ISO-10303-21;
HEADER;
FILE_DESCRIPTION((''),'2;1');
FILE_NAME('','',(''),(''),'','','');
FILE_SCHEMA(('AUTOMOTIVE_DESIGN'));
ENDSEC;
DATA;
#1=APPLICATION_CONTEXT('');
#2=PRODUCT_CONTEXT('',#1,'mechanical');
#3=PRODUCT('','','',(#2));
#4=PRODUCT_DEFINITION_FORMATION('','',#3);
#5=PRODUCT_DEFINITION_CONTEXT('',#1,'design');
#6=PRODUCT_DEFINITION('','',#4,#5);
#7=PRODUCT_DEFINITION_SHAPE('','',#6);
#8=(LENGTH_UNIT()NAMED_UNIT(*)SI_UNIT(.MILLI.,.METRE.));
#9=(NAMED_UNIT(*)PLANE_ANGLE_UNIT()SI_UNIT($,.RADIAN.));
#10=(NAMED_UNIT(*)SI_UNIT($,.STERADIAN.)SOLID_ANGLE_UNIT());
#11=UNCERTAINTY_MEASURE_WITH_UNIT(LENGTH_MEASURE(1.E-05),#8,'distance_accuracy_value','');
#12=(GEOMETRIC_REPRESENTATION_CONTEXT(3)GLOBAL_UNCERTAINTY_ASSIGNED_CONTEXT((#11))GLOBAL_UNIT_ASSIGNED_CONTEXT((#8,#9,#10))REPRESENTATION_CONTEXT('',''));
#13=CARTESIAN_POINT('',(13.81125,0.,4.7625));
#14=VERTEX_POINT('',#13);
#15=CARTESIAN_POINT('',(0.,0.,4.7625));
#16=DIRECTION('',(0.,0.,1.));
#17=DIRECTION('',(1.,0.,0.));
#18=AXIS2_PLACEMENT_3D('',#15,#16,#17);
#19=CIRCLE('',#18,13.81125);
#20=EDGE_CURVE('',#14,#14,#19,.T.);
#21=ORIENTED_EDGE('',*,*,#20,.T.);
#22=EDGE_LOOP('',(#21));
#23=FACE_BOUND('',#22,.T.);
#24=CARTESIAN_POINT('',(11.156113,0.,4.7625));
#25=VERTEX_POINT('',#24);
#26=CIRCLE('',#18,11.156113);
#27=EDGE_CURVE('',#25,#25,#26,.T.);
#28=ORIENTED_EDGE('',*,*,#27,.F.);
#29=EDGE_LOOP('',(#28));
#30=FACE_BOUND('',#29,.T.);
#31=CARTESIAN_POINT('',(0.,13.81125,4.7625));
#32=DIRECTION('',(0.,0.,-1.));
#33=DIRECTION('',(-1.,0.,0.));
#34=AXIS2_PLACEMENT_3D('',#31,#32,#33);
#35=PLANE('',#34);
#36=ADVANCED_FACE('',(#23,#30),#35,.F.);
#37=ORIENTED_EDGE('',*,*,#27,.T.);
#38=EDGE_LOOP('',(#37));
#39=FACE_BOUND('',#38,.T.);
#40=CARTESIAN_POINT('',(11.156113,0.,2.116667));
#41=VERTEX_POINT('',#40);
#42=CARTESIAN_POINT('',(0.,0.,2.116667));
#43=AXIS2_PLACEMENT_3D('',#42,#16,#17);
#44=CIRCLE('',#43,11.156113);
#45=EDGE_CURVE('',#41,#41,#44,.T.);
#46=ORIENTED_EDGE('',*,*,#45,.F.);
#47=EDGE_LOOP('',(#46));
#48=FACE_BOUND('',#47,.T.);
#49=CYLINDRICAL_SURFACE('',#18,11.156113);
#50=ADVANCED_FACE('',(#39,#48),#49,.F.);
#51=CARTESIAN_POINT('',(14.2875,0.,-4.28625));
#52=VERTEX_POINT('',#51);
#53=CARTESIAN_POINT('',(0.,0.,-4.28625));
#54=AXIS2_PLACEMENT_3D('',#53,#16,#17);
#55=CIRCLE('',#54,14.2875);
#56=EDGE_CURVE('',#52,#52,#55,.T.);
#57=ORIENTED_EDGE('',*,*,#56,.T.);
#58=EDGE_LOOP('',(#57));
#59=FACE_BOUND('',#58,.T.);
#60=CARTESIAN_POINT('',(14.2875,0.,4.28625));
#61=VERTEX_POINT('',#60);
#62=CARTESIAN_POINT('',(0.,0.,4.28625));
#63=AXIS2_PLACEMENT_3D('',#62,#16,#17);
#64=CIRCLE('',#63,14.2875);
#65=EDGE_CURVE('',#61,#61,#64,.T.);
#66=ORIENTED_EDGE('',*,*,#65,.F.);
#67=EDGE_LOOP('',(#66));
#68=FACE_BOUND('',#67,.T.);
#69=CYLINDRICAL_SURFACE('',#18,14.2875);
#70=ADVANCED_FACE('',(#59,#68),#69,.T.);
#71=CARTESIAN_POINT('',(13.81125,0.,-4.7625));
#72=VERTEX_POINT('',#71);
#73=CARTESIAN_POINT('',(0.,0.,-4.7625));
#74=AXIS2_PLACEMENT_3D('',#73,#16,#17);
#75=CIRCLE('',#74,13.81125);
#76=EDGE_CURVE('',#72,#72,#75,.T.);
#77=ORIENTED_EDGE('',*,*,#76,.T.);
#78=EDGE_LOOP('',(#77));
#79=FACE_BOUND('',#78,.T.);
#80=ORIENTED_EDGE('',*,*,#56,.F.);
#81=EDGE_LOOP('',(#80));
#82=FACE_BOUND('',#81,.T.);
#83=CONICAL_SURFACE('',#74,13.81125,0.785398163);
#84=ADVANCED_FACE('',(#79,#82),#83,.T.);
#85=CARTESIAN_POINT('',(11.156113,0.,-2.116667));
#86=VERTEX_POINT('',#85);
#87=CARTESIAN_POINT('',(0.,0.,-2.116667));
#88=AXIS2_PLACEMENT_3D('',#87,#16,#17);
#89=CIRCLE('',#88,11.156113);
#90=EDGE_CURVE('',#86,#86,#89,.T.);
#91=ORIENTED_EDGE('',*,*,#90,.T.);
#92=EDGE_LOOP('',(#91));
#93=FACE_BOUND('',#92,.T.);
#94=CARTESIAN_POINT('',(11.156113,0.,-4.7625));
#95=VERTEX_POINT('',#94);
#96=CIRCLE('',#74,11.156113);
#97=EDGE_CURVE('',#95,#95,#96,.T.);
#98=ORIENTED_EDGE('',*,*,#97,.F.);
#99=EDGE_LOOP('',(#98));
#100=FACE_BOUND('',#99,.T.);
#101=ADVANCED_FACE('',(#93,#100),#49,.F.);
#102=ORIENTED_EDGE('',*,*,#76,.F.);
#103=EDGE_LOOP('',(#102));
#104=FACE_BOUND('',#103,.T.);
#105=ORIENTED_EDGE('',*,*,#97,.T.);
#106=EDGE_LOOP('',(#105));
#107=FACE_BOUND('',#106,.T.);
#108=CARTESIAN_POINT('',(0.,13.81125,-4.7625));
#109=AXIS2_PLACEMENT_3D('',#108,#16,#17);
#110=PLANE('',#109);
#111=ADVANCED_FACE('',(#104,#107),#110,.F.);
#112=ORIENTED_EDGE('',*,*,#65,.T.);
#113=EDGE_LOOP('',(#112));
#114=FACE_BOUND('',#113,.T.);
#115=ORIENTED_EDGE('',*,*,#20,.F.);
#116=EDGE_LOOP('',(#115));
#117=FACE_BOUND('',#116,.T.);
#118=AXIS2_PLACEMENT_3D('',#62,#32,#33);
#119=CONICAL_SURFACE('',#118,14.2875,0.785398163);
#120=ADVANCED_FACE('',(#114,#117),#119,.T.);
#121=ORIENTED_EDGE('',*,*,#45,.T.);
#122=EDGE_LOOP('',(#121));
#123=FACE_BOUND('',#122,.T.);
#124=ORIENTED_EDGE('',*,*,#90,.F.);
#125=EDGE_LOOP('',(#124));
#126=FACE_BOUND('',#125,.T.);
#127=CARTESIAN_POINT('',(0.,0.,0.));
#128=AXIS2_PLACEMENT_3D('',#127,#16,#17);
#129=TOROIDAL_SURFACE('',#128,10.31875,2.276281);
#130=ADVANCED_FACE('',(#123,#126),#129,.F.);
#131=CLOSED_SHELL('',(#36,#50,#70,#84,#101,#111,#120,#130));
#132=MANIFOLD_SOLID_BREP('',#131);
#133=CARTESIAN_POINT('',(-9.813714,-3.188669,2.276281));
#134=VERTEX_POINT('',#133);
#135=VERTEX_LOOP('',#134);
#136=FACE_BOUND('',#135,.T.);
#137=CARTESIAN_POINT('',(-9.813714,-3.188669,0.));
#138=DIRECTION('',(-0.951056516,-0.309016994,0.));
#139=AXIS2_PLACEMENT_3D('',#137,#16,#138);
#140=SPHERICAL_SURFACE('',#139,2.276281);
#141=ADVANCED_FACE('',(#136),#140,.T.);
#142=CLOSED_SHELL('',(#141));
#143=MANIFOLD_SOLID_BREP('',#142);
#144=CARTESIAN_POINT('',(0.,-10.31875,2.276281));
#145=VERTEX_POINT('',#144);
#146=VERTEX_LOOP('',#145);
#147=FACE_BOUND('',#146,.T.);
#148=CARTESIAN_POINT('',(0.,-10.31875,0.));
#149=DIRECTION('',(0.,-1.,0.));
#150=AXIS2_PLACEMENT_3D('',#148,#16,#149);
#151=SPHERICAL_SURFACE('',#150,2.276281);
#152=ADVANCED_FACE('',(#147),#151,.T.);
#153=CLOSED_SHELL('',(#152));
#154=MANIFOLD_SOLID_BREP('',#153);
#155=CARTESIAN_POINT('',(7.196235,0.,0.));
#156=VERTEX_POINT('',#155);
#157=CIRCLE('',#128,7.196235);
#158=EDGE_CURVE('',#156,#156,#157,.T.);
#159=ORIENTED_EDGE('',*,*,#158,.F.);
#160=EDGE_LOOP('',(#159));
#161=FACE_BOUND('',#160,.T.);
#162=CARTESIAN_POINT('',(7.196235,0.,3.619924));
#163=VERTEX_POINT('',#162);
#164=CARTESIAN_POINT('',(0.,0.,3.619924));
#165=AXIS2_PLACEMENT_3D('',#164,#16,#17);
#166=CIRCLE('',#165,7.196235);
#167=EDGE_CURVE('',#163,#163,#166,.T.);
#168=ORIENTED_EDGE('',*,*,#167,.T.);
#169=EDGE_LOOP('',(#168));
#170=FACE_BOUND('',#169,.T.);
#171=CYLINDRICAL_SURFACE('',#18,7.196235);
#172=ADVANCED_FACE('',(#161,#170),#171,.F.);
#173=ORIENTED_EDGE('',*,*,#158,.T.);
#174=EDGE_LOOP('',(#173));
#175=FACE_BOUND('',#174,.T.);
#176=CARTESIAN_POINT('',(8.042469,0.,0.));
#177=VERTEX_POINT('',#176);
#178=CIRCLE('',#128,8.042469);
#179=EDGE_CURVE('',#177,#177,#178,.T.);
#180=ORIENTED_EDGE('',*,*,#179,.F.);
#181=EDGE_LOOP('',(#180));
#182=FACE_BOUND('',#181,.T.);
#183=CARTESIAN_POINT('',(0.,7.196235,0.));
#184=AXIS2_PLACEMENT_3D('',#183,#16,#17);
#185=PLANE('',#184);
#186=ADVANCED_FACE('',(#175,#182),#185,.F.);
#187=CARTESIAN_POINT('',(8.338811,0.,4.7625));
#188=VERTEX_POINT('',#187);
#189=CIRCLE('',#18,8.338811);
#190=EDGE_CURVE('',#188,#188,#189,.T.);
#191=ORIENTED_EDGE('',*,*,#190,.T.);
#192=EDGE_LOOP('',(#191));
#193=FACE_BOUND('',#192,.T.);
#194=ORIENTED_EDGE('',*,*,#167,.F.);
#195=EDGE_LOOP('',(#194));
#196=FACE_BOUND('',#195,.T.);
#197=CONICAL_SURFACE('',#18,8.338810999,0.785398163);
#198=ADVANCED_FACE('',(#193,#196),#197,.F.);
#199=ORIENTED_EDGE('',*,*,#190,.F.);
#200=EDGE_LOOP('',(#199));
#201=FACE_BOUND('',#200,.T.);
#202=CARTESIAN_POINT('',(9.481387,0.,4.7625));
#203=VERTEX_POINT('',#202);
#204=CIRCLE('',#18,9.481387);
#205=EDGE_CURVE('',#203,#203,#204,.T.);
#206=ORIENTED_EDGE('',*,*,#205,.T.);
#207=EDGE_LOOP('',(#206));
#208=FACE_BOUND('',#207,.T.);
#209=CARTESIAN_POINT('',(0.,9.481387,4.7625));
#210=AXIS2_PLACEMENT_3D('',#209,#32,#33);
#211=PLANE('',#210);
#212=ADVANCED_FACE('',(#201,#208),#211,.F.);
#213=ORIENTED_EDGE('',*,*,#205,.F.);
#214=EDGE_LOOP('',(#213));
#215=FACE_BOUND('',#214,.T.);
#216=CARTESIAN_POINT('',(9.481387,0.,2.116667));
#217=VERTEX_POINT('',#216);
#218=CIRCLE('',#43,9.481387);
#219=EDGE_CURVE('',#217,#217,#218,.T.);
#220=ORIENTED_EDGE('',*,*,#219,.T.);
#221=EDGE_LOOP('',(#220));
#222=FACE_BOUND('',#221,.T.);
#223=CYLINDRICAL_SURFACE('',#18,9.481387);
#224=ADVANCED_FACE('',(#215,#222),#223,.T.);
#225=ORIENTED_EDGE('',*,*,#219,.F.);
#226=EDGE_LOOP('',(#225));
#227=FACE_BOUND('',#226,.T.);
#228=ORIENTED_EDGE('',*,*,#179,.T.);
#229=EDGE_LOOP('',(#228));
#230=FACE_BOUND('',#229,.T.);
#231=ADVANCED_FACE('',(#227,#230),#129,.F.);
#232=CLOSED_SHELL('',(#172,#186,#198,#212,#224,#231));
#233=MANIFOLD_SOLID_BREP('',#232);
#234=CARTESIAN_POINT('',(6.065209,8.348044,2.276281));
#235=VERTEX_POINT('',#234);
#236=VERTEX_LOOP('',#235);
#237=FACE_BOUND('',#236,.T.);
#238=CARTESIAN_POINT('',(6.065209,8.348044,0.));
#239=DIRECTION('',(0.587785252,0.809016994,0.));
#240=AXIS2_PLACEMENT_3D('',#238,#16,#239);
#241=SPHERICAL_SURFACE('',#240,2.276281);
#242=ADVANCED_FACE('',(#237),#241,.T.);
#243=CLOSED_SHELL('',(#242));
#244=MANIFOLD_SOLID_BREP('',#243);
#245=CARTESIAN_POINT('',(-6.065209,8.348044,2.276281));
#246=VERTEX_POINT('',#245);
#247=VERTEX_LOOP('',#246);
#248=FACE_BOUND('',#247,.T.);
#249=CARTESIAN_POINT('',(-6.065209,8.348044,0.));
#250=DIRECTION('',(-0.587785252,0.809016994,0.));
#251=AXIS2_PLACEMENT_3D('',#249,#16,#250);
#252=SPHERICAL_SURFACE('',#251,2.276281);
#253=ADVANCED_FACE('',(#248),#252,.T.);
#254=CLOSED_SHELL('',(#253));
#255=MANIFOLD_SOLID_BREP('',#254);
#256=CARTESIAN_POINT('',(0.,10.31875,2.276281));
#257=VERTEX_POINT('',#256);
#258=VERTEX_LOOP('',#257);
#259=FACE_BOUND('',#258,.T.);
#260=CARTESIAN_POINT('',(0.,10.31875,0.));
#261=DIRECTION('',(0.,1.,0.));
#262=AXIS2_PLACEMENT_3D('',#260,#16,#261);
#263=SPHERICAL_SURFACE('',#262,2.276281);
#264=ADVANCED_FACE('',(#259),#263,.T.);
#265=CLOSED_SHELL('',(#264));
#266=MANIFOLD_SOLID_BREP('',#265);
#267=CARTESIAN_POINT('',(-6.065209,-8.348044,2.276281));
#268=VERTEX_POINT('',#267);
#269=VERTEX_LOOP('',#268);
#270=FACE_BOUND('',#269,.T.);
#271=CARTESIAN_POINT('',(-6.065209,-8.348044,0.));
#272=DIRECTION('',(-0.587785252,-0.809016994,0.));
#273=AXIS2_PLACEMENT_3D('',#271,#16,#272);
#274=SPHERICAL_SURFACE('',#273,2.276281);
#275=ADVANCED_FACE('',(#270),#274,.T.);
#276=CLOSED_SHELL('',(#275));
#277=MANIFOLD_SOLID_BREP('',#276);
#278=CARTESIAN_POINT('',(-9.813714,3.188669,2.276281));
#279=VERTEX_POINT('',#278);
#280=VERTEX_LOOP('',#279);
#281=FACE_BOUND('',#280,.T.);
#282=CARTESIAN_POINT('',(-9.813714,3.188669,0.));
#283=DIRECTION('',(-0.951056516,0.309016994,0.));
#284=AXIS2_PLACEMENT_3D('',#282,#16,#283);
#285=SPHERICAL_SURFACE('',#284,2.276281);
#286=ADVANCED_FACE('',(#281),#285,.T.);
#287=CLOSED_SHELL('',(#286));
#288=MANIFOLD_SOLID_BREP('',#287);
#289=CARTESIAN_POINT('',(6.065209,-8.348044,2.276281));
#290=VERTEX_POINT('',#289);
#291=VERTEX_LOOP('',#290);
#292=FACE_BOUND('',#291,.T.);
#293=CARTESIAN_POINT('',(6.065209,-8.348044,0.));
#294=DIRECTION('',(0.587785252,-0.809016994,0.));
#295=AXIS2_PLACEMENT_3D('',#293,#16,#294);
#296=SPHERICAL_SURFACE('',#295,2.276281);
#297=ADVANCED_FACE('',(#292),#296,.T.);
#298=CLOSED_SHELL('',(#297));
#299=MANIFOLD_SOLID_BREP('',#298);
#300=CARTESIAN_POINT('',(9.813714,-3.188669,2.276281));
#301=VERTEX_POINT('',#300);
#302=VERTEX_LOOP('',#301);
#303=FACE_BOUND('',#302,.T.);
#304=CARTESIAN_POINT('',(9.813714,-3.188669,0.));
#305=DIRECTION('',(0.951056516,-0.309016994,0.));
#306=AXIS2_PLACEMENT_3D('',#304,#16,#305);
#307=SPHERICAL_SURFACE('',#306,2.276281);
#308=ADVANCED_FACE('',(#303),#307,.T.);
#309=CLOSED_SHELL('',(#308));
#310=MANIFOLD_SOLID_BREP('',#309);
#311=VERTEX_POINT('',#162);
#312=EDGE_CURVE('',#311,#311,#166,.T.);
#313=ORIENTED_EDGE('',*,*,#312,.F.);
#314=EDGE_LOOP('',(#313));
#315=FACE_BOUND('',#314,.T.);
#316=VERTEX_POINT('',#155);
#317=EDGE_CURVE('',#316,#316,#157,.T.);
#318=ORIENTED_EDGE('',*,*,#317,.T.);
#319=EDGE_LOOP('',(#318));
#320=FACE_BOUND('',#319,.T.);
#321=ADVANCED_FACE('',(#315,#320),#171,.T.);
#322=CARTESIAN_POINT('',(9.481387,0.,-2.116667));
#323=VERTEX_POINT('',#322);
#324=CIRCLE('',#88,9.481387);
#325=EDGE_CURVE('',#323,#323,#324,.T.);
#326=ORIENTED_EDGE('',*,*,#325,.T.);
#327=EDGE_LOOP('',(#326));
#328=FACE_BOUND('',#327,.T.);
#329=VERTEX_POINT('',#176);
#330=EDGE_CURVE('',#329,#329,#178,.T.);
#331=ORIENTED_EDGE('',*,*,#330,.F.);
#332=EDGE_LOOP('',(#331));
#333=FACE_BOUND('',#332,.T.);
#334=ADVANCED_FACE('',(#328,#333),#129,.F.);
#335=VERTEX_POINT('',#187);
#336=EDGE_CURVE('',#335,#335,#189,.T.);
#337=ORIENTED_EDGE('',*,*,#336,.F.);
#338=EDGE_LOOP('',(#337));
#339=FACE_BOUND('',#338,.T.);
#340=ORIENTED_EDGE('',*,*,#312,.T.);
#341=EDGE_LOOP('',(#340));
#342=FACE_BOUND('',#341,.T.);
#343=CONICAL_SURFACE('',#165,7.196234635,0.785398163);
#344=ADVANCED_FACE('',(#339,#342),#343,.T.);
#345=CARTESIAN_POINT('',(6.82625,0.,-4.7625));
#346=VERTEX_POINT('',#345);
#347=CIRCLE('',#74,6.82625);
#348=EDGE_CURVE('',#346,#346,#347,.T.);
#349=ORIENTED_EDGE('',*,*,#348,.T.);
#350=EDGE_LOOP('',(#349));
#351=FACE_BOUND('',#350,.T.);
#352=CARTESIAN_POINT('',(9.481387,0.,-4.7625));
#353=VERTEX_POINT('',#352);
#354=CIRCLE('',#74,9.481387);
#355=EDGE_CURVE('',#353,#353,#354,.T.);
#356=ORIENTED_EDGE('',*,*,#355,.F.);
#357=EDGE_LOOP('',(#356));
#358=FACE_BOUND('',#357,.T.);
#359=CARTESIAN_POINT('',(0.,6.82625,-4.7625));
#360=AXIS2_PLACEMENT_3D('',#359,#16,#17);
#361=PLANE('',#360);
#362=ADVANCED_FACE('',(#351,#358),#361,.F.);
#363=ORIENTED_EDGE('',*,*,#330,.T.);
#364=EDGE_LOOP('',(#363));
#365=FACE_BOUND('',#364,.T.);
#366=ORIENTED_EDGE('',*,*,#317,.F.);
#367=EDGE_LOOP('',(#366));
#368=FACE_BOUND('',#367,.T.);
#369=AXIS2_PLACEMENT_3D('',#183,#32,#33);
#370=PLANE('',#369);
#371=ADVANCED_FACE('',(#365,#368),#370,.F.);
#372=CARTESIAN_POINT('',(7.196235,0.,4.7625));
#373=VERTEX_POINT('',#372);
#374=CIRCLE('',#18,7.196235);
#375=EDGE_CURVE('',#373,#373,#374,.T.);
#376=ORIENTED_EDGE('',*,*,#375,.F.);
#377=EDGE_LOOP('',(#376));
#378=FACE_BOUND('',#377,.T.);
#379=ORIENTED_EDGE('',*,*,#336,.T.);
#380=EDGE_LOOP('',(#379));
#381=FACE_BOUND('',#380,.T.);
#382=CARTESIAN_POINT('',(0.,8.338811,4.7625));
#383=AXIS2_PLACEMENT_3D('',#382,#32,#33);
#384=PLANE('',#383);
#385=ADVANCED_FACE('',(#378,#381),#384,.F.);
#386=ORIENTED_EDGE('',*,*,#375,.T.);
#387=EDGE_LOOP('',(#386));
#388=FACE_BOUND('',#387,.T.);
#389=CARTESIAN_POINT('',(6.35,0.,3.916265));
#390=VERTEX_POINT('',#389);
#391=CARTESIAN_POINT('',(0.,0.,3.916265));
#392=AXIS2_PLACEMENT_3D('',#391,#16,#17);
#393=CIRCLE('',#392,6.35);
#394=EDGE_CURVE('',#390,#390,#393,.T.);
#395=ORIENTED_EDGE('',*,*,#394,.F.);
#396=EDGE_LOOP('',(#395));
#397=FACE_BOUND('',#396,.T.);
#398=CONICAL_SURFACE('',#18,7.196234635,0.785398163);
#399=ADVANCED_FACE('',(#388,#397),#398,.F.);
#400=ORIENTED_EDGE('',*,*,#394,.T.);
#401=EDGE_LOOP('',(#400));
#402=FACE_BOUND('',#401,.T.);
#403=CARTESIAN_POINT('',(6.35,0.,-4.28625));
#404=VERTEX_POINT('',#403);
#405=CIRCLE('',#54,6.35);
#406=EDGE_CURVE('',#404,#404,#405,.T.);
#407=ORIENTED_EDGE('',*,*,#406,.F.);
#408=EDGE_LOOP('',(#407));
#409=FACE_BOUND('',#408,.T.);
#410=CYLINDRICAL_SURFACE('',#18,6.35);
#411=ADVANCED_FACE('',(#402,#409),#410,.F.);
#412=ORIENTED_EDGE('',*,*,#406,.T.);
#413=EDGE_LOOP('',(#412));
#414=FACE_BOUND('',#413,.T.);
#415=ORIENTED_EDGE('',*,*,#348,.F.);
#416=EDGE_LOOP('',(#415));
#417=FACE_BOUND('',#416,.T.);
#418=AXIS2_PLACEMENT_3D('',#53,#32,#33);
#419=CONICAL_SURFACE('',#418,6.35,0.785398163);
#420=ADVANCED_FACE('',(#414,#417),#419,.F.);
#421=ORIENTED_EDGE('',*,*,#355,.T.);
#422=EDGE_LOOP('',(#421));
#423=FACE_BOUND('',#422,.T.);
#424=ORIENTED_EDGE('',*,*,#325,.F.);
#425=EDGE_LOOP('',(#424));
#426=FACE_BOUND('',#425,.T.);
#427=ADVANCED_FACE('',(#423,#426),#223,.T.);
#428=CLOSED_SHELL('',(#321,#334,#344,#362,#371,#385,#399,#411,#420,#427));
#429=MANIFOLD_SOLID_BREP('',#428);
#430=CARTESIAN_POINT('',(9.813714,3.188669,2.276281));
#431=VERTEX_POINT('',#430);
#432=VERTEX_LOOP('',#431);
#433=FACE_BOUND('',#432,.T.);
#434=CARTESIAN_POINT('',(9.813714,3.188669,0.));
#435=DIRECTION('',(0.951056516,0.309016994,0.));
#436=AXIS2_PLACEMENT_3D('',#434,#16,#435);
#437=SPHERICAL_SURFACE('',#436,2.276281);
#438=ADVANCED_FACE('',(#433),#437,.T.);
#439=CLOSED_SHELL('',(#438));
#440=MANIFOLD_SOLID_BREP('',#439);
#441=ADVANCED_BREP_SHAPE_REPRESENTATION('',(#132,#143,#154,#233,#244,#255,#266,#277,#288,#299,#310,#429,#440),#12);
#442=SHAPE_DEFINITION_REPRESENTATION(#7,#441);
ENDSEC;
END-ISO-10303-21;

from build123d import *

# Parameters (mm, degrees)
CIRPATTERN1_COUNT = 10


with BuildPart() as part:
    # Sketch1 → Revolve1 (revolve)
    with BuildSketch(Plane(origin=(0, 0, 0), x_dir=(0, 0, -1), z_dir=(1, 0, 0))):
        with BuildLine():
            Line((4.28625, 14.2875), (-4.28625, 14.2875))
            Line((-4.28625, 14.2875), (-4.7625, 13.81125))
            Line((-4.7625, 13.81125), (-4.7625, 11.156112637))
            Line((-4.7625, 11.156112637), (-2.116666667, 11.156112637))
            ThreePointArc((-2.116666667, 11.156112637), (0, 12.595030731), (2.116666667, 11.156112637))
            Line((2.116666667, 11.156112637), (4.7625, 11.156112637))
            Line((4.7625, 11.156112637), (4.7625, 13.81125))
            Line((4.7625, 13.81125), (4.28625, 14.2875))
        make_face()
    revolve(axis=Axis((0, 0, 4.7625), (0, 0, -1)))


with BuildPart() as body_2:
    # Sketch2 → Revolve2 (revolve)
    with BuildSketch(Plane(origin=(0, 0, 0), x_dir=(0, 0, -1), z_dir=(1, 0, 0))):
        with BuildLine():
            Line((-4.7625, 9.481387363), (-2.116666667, 9.481387363))
            ThreePointArc((-2.116666667, 9.481387363), (-1.279722925, 8.436261434), (0, 8.042469269))
            Line((0, 8.042469269), (0, 7.196234635))
            Line((0, 7.196234635), (-3.619923636, 7.196234635))
            Line((-3.619923636, 7.196234635), (-4.7625, 8.338810999))
            Line((-4.7625, 8.338810999), (-4.7625, 9.481387363))
        make_face()
    revolve(axis=Axis((0, 0, 4.7625), (0, 0, -1)))


with BuildPart() as body_3:
    # Sketch3 → Revolve3 (revolve)
    with BuildSketch(Plane(origin=(0, 0, 0), x_dir=(0, 0, -1), z_dir=(1, 0, 0))):
        with BuildLine():
            Line((-4.7625, 8.338810999), (-3.619923636, 7.196234635))
            Line((-3.619923636, 7.196234635), (0, 7.196234635))
            Line((0, 7.196234635), (0, 8.042469269))
            ThreePointArc((0, 8.042469269), (1.279722925, 8.436261434), (2.116666667, 9.481387363))
            Line((2.116666667, 9.481387363), (4.7625, 9.481387363))
            Line((4.7625, 9.481387363), (4.7625, 6.82625))
            Line((4.7625, 6.82625), (4.28625, 6.35))
            Line((4.28625, 6.35), (-3.916265365, 6.35))
            Line((-3.916265365, 6.35), (-4.7625, 7.196234635))
            Line((-4.7625, 7.196234635), (-4.7625, 8.338810999))
        make_face()
    revolve(axis=Axis((0, 0, 4.7625), (0, 0, -1)))


with BuildPart() as body_4:
    # Sketch4 → Revolve4 (revolve)
    with BuildSketch(Plane(origin=(0, 0, 0), x_dir=(0, 0, -1), z_dir=(1, 0, 0))):
        with BuildLine():
            Line((-2.276280731, 10.31875), (2.276280731, 10.31875))
            ThreePointArc((2.276280731, 10.31875), (0, 12.595030731), (-2.276280731, 10.31875))
        make_face()
    revolve(axis=Axis((0, 10.31875, 2.276280731), (0, 0, -1)))


with BuildPart() as cirpattern1_1:
    # CirPattern1: pattern copy
    add(body_4.part.rotate(Axis((0, 0, -4.7625), (0, 0, 1)), 1 * 360 / CIRPATTERN1_COUNT))


with BuildPart() as cirpattern1_2:
    # CirPattern1: pattern copy
    add(body_4.part.rotate(Axis((0, 0, -4.7625), (0, 0, 1)), 2 * 360 / CIRPATTERN1_COUNT))


with BuildPart() as cirpattern1_3:
    # CirPattern1: pattern copy
    add(body_4.part.rotate(Axis((0, 0, -4.7625), (0, 0, 1)), 3 * 360 / CIRPATTERN1_COUNT))


with BuildPart() as cirpattern1_4:
    # CirPattern1: pattern copy
    add(body_4.part.rotate(Axis((0, 0, -4.7625), (0, 0, 1)), 4 * 360 / CIRPATTERN1_COUNT))


with BuildPart() as cirpattern1_5:
    # CirPattern1: pattern copy
    add(body_4.part.rotate(Axis((0, 0, -4.7625), (0, 0, 1)), 5 * 360 / CIRPATTERN1_COUNT))


with BuildPart() as cirpattern1_6:
    # CirPattern1: pattern copy
    add(body_4.part.rotate(Axis((0, 0, -4.7625), (0, 0, 1)), 6 * 360 / CIRPATTERN1_COUNT))


with BuildPart() as cirpattern1_7:
    # CirPattern1: pattern copy
    add(body_4.part.rotate(Axis((0, 0, -4.7625), (0, 0, 1)), 7 * 360 / CIRPATTERN1_COUNT))


with BuildPart() as cirpattern1_8:
    # CirPattern1: pattern copy
    add(body_4.part.rotate(Axis((0, 0, -4.7625), (0, 0, 1)), 8 * 360 / CIRPATTERN1_COUNT))


with BuildPart() as cirpattern1_9:
    # CirPattern1: pattern copy
    add(body_4.part.rotate(Axis((0, 0, -4.7625), (0, 0, 1)), 9 * 360 / CIRPATTERN1_COUNT))


solid = Compound([part.part, body_2.part, body_3.part, body_4.part, cirpattern1_1.part, cirpattern1_2.part, cirpattern1_3.part, cirpattern1_4.part, cirpattern1_5.part, cirpattern1_6.part, cirpattern1_7.part, cirpattern1_8.part, cirpattern1_9.part])
